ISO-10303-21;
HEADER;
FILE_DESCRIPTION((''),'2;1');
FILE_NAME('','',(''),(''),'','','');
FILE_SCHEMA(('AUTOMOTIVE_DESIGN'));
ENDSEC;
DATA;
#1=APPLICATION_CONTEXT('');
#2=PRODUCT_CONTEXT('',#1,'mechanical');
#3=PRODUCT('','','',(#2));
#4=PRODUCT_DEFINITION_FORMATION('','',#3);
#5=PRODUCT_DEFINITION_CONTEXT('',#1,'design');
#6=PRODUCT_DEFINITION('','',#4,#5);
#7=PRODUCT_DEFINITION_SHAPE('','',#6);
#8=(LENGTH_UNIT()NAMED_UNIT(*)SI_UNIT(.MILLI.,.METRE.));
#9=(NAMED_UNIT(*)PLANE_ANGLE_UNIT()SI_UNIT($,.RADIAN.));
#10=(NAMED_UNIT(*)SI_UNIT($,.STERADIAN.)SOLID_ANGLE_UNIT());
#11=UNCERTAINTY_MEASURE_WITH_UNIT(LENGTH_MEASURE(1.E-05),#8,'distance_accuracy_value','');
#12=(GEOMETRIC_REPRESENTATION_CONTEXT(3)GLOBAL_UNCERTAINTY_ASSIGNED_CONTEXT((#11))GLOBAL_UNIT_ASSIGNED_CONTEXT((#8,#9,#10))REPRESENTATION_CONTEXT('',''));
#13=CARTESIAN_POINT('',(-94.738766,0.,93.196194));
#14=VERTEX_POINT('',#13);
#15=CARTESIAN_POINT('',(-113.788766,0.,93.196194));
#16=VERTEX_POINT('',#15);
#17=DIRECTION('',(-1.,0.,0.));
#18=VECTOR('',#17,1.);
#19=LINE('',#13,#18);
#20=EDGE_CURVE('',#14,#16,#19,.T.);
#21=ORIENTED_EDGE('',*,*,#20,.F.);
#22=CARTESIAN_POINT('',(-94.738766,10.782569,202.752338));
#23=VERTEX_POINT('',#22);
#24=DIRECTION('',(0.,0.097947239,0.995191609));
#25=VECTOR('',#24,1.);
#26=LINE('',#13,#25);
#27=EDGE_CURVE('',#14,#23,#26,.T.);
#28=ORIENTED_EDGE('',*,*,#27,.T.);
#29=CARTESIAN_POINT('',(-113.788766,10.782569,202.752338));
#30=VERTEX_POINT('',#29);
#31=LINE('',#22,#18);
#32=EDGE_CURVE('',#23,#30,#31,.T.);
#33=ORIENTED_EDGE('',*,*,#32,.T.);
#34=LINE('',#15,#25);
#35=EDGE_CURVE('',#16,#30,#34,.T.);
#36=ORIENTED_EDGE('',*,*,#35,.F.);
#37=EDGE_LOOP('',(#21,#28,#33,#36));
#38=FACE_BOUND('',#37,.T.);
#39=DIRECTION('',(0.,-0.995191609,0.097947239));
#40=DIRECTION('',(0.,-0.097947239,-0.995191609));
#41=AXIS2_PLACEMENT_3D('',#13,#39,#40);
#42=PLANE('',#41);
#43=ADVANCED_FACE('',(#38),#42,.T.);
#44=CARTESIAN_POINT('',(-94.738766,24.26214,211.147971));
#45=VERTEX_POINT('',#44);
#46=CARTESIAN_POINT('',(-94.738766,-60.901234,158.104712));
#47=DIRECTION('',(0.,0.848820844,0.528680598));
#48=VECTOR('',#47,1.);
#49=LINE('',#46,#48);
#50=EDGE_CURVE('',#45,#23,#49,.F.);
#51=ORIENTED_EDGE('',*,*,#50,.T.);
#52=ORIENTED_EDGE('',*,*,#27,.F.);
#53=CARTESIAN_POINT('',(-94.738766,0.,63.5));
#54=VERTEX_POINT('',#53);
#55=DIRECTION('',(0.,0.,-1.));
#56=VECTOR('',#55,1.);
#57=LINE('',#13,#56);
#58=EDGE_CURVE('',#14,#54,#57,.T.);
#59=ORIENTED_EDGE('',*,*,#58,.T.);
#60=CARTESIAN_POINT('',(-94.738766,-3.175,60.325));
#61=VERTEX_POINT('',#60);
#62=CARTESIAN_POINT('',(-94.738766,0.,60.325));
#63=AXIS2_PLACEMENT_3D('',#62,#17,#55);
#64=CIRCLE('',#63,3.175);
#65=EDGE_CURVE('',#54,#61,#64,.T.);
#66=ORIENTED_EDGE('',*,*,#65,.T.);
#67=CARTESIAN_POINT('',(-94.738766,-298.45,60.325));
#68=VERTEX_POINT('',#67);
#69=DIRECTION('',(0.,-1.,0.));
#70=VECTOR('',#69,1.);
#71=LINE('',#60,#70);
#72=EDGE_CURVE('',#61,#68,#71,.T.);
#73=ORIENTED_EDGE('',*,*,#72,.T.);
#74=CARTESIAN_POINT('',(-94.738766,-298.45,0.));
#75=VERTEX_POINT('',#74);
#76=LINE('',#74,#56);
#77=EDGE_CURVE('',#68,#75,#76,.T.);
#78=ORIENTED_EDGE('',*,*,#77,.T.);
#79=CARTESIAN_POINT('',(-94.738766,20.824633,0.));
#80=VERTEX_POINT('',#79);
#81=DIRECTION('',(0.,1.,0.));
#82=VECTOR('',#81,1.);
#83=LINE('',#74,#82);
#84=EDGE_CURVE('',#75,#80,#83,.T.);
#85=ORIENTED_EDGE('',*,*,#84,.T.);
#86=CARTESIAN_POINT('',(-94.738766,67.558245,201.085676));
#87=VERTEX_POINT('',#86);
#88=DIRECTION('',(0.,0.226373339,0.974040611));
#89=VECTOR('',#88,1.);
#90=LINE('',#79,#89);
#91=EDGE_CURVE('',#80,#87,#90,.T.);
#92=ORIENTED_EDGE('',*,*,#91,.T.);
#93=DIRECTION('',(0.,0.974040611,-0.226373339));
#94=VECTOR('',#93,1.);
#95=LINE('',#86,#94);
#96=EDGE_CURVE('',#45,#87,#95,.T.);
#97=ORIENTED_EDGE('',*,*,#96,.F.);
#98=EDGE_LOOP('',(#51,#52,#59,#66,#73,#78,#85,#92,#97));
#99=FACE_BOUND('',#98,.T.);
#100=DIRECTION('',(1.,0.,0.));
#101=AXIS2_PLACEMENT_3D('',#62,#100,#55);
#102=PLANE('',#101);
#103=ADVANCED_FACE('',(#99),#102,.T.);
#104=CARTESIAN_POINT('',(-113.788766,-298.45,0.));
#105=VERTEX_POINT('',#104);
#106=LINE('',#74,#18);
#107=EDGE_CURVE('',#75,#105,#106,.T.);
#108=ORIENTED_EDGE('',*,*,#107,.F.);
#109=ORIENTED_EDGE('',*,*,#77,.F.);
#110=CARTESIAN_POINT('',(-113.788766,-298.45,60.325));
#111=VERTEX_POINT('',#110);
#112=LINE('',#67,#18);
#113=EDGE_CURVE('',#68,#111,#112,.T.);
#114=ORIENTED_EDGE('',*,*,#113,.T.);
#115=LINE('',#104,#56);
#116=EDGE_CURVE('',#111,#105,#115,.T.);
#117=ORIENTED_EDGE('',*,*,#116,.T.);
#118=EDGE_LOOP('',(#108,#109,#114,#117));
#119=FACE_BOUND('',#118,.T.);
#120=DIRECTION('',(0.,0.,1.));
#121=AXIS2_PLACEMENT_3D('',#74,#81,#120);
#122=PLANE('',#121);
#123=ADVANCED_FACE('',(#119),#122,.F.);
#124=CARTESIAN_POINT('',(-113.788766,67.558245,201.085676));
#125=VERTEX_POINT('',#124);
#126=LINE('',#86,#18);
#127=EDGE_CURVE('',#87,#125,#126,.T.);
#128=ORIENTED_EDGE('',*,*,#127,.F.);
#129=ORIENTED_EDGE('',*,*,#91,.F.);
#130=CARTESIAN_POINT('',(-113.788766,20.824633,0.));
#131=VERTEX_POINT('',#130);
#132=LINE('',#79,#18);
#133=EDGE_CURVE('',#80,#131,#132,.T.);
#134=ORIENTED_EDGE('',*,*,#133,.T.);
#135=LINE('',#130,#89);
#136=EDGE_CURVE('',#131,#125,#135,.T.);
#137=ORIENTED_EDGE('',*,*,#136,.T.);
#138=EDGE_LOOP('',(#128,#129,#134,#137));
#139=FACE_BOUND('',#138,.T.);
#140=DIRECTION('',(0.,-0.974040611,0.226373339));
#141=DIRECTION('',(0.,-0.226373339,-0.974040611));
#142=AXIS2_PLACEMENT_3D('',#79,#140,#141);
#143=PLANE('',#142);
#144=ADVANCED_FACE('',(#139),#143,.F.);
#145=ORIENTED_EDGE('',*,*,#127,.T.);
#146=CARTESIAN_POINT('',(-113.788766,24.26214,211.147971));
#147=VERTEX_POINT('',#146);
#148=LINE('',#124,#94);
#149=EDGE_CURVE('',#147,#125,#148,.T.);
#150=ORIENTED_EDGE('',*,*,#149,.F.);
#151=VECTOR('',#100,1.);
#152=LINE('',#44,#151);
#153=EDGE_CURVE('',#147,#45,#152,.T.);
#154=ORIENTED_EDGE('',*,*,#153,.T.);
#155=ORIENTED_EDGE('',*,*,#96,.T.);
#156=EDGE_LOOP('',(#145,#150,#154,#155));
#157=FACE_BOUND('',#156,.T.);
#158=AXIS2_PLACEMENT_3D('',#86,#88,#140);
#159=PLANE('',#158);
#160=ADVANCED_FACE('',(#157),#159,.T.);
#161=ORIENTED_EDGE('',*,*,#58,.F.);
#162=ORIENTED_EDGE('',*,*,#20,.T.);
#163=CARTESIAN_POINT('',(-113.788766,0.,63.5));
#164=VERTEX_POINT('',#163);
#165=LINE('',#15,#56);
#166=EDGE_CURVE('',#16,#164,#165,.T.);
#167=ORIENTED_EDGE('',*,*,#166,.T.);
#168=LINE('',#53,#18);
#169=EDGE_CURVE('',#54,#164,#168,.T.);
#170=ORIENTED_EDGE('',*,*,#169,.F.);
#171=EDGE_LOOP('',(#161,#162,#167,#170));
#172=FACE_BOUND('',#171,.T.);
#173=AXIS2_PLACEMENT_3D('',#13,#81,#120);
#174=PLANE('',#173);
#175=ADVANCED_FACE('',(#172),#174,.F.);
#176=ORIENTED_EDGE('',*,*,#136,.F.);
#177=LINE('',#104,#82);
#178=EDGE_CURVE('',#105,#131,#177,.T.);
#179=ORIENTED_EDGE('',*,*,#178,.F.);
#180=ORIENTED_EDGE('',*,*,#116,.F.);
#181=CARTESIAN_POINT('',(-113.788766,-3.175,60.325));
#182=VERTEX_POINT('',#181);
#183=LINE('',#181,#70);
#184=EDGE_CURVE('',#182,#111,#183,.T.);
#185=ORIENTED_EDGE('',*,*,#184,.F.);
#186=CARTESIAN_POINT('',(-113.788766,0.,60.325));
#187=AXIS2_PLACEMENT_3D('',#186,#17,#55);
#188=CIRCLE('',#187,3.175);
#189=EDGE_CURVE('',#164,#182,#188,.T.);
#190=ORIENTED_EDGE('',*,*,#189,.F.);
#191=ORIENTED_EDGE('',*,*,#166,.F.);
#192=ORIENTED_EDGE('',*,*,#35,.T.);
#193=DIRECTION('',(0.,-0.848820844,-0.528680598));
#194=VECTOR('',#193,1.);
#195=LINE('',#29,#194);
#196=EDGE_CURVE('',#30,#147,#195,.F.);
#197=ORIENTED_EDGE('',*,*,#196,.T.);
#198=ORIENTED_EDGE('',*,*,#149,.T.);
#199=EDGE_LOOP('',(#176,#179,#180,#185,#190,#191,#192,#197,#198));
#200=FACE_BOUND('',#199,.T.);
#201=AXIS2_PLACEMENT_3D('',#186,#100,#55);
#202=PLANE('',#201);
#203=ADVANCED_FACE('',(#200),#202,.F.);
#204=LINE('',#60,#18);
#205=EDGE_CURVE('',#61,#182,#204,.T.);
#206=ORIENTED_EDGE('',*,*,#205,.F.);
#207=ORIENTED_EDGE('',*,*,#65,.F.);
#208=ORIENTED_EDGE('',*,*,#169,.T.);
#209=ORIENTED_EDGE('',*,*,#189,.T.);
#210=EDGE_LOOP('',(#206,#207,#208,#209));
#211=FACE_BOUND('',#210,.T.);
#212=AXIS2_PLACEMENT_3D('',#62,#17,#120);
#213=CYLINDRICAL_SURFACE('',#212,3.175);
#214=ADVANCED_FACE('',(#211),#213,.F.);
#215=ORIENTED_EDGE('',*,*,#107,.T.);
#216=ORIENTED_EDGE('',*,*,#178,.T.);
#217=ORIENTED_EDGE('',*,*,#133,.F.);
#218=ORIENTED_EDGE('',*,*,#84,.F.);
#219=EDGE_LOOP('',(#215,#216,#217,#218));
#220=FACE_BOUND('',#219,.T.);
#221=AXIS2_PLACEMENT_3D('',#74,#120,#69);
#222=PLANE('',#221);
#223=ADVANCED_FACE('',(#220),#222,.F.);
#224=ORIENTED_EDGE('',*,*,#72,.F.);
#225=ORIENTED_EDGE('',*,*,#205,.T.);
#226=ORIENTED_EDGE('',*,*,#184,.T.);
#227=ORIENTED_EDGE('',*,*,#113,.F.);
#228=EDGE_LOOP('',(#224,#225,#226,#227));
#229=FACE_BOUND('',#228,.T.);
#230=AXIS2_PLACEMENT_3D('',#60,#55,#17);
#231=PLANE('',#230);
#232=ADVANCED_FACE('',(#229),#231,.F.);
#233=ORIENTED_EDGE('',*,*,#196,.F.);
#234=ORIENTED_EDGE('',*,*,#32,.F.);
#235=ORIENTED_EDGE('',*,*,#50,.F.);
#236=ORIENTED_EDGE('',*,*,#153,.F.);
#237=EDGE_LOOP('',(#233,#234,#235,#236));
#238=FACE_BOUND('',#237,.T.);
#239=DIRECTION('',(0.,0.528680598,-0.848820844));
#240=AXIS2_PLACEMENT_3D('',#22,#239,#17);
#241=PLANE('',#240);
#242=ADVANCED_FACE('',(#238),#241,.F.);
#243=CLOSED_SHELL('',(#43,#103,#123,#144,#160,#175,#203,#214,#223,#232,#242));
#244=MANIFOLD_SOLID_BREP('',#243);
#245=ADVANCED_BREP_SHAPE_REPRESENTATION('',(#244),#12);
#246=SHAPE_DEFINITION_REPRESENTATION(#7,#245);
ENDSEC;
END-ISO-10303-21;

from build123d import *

# Parameters (mm, degrees)
BOSS_EXTRUDE1_DEPTH = 19.05
BOSS_EXTRUDE2_DEPTH = 19.05
CHAMFER1_SIZE       = 12.7
CHAMFER1_SIZE2      = 11.325028866


with BuildPart() as part:
    # Sketch2 → Boss-Extrude1 (new body)
    with BuildSketch(Plane(origin=(-113.788766336, 0, 0), x_dir=(0, 0, -1), z_dir=(1, 0, 0))):
        with BuildLine():
            Line((0, 20.824633003), (-83.828599938, 40.306941911))
            Line((-83.828599938, 40.306941911), (-93.196193981, 0))
            Line((-93.196193981, 0), (-63.5, 0))
            ThreePointArc((-63.5, 0), (-58.07993597, 2.24506403), (-60.325, -3.175))
            Line((-60.325, -3.175), (-60.325, -298.45))
            Line((-60.325, -298.45), (0, -298.45))
            Line((0, -298.45), (0, 20.824633003))
        make_face()
    extrude(amount=BOSS_EXTRUDE1_DEPTH)

    # Sketch3 → Boss-Extrude2 (add, through all)
    with BuildSketch(Plane.ZY.offset(113.788766336)):
        Polygon((83.828599938, 40.306941911), (201.08567571, 67.558244849), (214.022912031, 11.891823944), (93.196193981, 0), align=None)
    extrude(amount=-BOSS_EXTRUDE2_DEPTH)

    # Chamfer1
    chamfer1_edges = [part.edges().sort_by_distance(p)[0] for p in [
        (-104.263766336, 11.891823944, 214.022912031),
    ]]
    chamfer1_side = [part.faces().sort_by_distance(p)[0] for p in [
        (-104.263766336, 39.725034397, 207.554293871),
    ]]
    chamfer(chamfer1_edges, length=CHAMFER1_SIZE, length2=CHAMFER1_SIZE2, reference=chamfer1_side[0])


solid = part.part
